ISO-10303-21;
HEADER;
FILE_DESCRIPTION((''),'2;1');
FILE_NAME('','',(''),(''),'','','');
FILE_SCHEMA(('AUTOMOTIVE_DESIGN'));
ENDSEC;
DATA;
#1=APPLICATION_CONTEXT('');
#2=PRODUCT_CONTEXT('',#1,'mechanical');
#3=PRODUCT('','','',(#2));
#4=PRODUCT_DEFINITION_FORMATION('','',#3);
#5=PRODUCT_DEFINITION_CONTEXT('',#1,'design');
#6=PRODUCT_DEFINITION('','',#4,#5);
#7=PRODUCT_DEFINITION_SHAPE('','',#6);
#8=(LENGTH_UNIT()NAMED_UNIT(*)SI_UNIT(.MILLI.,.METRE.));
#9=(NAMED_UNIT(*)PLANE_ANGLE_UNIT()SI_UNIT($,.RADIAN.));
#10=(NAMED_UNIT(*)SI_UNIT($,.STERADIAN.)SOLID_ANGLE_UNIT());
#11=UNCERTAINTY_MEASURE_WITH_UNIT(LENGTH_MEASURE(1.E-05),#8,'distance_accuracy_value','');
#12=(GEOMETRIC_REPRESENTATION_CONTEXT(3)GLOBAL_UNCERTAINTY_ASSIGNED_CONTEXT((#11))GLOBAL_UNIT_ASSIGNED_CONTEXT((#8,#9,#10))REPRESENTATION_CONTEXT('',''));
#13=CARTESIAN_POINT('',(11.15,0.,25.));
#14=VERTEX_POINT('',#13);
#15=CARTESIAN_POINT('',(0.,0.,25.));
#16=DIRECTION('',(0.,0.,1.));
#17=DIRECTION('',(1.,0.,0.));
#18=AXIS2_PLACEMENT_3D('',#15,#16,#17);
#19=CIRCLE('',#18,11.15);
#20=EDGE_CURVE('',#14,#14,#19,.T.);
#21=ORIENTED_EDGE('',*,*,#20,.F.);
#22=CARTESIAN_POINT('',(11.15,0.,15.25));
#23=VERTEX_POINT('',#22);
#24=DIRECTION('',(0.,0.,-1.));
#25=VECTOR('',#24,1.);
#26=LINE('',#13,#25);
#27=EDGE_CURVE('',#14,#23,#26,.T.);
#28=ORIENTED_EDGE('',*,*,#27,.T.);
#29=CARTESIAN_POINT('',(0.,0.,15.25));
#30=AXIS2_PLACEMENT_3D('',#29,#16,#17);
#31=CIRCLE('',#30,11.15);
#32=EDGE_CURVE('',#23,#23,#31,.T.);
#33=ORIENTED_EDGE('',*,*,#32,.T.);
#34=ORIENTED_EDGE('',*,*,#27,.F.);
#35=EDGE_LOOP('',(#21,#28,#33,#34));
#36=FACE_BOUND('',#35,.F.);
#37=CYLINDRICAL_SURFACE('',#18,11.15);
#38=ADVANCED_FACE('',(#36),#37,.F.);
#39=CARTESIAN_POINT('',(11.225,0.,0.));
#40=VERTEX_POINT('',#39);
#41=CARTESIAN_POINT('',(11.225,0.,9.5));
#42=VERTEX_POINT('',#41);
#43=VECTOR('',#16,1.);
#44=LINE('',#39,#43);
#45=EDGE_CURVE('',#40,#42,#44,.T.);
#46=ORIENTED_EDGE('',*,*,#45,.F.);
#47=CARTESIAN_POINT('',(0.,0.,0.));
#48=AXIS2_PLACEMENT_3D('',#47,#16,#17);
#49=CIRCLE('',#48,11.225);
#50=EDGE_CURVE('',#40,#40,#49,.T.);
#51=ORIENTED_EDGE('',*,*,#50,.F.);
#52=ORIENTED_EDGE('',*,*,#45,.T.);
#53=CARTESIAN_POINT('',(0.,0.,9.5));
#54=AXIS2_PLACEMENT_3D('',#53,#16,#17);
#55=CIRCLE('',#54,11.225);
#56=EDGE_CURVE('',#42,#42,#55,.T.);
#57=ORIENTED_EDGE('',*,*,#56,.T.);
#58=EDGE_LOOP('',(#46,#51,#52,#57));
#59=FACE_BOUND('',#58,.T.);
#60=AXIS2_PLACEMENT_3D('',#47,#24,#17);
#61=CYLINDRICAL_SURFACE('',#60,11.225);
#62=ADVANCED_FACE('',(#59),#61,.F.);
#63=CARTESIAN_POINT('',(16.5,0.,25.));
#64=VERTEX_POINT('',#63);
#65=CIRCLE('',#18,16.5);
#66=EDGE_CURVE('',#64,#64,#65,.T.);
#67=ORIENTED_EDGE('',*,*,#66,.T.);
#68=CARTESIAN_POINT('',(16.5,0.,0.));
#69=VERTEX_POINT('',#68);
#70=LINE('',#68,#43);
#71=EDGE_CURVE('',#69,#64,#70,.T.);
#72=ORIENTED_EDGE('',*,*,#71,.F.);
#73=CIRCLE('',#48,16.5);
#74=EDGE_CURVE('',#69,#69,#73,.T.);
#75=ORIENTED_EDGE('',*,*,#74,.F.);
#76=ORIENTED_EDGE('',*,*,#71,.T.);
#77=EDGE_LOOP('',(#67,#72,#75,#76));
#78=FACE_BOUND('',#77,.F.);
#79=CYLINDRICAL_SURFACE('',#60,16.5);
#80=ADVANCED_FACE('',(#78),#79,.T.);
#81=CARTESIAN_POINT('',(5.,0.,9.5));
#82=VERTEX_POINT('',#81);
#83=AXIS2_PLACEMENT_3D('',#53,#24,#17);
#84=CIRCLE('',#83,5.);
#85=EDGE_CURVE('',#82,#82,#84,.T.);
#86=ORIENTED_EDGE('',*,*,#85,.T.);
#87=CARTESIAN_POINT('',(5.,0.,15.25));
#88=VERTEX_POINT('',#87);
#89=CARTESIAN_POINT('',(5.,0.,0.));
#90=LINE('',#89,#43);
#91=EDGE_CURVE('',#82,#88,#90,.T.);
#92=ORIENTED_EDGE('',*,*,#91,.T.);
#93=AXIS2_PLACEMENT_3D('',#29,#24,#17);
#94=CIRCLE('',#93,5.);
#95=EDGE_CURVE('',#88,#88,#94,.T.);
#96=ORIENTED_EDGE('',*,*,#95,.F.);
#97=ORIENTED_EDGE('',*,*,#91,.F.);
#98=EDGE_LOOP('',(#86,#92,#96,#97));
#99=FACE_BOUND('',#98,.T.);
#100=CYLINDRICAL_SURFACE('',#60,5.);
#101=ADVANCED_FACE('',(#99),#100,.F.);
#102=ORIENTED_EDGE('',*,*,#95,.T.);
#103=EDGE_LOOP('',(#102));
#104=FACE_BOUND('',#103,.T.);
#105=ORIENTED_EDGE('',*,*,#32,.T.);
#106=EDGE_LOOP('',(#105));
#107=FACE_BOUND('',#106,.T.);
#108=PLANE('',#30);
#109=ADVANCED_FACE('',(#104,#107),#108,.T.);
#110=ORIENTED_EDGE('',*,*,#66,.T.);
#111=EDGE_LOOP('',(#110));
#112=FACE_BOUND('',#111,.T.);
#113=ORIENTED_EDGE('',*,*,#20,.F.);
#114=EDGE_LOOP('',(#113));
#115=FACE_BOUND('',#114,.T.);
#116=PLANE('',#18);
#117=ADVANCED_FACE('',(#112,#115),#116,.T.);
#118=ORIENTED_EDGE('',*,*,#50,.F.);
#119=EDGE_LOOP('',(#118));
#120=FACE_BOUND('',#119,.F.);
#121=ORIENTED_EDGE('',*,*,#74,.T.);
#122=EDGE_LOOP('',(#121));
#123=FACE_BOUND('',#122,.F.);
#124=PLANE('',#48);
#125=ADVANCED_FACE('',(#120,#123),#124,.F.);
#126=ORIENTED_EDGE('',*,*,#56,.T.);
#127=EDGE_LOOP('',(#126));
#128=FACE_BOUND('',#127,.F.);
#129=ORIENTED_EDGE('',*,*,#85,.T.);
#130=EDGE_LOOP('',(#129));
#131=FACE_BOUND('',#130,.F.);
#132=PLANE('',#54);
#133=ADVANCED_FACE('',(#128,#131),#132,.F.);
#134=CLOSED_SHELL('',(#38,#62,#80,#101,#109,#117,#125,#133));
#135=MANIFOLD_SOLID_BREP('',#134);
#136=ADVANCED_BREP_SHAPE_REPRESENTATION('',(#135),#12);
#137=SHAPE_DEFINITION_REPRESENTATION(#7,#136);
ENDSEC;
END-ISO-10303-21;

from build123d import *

# Parameters (mm, degrees)
F0_R     = 16.5
F0_R_2   = 5
F1_DEPTH = 25
F2_R     = 11.15
F3_DEPTH = 9.75
F4_R     = 11.225
F5_DEPTH = 9.5


with BuildPart() as f1:
    # F0 (on Top) → F1 (new body)
    with BuildSketch(Plane.XY):
        Circle(F0_R)
        Circle(F0_R_2, mode=Mode.SUBTRACT)
    extrude(amount=F1_DEPTH)

    # F2 (on face) → F3 (cut)
    with BuildSketch(Plane.XY.offset(25)):
        Circle(F2_R)
    extrude(amount=-F3_DEPTH, mode=Mode.SUBTRACT)

    # F4 (on Top) → F5 (cut)
    with BuildSketch(Plane.XY):
        Circle(F4_R)
    extrude(amount=F5_DEPTH, mode=Mode.SUBTRACT)


solid = f1.part
